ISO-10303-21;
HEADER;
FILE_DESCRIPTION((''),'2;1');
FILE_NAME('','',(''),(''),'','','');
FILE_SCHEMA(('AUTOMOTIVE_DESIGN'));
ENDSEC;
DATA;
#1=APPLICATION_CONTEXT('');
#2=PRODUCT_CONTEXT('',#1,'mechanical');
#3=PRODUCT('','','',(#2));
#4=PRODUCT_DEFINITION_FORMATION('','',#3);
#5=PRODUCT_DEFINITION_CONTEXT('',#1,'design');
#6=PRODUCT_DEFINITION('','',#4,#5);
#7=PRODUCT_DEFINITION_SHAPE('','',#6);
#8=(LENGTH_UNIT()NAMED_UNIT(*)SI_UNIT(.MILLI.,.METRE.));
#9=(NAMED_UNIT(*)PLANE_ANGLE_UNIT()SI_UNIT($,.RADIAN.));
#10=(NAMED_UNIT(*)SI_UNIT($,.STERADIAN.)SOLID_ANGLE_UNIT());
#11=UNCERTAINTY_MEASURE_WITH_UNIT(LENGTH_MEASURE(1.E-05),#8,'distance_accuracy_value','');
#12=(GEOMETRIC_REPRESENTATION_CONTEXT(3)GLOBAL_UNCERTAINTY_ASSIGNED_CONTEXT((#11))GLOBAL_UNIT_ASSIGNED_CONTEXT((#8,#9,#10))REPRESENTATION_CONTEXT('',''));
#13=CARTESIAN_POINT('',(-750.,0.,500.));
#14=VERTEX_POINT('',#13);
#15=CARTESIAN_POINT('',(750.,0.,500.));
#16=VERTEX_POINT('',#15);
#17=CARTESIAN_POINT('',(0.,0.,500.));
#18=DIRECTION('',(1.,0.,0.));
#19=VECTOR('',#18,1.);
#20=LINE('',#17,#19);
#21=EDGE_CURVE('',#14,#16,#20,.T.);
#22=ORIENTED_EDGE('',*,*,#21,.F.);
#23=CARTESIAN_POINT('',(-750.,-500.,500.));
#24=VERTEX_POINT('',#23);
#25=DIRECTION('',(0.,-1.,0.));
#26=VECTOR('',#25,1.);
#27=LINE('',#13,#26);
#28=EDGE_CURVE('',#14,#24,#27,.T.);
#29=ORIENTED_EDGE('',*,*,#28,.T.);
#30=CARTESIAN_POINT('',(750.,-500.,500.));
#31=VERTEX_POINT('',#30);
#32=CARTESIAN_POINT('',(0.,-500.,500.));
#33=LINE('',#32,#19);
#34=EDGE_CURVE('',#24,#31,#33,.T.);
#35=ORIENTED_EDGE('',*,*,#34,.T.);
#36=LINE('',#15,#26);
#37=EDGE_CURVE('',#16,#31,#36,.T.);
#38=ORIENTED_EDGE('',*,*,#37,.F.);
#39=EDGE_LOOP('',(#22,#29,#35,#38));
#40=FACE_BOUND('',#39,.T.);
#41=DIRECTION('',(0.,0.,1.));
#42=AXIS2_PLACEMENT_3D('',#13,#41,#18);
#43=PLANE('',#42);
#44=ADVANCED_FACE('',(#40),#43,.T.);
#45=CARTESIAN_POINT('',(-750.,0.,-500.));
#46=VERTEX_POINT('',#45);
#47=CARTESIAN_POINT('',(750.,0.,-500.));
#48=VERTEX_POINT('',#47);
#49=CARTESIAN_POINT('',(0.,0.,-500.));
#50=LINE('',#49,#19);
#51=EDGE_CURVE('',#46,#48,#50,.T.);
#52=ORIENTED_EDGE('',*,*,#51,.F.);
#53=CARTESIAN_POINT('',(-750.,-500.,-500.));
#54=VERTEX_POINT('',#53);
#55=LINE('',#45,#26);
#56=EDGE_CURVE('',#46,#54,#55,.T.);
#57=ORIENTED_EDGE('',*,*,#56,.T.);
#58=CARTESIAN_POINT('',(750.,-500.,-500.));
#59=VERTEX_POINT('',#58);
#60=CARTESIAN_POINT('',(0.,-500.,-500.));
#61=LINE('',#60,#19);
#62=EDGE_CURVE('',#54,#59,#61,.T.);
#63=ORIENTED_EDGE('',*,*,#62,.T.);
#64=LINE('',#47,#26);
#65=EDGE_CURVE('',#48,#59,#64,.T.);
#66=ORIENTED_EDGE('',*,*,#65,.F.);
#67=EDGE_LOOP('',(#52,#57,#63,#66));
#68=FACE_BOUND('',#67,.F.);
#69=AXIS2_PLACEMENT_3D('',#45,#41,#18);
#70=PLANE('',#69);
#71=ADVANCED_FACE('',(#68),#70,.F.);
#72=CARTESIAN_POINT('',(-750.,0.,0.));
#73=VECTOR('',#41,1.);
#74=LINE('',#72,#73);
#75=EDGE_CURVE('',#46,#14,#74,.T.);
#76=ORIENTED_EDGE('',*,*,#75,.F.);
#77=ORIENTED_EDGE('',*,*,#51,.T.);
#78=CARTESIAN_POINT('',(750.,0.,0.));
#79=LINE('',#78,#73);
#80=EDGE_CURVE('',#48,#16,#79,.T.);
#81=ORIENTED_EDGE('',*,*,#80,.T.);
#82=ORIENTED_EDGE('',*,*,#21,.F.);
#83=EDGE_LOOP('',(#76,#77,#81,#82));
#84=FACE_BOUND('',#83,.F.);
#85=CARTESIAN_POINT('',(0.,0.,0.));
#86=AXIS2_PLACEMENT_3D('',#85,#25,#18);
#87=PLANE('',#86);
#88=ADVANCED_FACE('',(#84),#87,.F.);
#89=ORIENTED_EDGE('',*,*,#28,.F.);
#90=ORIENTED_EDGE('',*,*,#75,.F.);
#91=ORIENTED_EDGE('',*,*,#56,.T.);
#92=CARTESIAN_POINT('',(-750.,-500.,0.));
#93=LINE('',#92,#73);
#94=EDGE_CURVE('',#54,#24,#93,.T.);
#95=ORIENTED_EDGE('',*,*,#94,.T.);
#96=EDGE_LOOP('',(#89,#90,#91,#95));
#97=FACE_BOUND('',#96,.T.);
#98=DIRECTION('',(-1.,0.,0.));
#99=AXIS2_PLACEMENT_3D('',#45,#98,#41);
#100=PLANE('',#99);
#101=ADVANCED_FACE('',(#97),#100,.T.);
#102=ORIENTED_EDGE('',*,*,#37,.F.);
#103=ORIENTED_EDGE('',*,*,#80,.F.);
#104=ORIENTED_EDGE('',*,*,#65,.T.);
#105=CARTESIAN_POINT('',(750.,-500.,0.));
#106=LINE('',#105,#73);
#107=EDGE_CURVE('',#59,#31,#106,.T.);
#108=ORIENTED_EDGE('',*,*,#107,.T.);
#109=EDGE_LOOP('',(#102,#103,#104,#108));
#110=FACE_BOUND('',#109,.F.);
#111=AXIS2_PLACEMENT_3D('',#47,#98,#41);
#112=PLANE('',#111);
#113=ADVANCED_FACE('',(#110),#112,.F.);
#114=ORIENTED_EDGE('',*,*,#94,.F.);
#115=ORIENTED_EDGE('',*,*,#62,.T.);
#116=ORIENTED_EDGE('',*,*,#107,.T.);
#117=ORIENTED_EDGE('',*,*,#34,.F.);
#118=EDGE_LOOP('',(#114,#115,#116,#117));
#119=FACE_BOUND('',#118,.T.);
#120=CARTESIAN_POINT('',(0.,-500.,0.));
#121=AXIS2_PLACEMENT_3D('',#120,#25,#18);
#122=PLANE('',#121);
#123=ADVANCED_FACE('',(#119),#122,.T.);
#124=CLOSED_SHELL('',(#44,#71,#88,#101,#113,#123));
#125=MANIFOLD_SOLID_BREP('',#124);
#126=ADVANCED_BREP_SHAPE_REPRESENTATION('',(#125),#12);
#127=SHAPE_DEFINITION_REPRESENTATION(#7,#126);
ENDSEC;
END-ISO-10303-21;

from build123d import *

# Parameters (mm, degrees)
F0_W     = 1500
F0_H     = 1000
F1_DEPTH = 500
F3_W     = 1500
F3_H     = 1000
F4_DEPTH = 50


with BuildPart() as f1:
    # F0 (on Front) → F1 (new body)
    with BuildSketch(Plane.XZ):
        Rectangle(F0_W, F0_H)
    extrude(amount=F1_DEPTH)


with BuildPart() as f4:
    # F3 (on face) → F4 (new body)
    with BuildSketch(Plane.XZ.offset(500)):
        with Locations((-1584.334999, 500)):
            Rectangle(F3_W, F3_H)
    extrude(amount=F4_DEPTH)


solid = f1.part
